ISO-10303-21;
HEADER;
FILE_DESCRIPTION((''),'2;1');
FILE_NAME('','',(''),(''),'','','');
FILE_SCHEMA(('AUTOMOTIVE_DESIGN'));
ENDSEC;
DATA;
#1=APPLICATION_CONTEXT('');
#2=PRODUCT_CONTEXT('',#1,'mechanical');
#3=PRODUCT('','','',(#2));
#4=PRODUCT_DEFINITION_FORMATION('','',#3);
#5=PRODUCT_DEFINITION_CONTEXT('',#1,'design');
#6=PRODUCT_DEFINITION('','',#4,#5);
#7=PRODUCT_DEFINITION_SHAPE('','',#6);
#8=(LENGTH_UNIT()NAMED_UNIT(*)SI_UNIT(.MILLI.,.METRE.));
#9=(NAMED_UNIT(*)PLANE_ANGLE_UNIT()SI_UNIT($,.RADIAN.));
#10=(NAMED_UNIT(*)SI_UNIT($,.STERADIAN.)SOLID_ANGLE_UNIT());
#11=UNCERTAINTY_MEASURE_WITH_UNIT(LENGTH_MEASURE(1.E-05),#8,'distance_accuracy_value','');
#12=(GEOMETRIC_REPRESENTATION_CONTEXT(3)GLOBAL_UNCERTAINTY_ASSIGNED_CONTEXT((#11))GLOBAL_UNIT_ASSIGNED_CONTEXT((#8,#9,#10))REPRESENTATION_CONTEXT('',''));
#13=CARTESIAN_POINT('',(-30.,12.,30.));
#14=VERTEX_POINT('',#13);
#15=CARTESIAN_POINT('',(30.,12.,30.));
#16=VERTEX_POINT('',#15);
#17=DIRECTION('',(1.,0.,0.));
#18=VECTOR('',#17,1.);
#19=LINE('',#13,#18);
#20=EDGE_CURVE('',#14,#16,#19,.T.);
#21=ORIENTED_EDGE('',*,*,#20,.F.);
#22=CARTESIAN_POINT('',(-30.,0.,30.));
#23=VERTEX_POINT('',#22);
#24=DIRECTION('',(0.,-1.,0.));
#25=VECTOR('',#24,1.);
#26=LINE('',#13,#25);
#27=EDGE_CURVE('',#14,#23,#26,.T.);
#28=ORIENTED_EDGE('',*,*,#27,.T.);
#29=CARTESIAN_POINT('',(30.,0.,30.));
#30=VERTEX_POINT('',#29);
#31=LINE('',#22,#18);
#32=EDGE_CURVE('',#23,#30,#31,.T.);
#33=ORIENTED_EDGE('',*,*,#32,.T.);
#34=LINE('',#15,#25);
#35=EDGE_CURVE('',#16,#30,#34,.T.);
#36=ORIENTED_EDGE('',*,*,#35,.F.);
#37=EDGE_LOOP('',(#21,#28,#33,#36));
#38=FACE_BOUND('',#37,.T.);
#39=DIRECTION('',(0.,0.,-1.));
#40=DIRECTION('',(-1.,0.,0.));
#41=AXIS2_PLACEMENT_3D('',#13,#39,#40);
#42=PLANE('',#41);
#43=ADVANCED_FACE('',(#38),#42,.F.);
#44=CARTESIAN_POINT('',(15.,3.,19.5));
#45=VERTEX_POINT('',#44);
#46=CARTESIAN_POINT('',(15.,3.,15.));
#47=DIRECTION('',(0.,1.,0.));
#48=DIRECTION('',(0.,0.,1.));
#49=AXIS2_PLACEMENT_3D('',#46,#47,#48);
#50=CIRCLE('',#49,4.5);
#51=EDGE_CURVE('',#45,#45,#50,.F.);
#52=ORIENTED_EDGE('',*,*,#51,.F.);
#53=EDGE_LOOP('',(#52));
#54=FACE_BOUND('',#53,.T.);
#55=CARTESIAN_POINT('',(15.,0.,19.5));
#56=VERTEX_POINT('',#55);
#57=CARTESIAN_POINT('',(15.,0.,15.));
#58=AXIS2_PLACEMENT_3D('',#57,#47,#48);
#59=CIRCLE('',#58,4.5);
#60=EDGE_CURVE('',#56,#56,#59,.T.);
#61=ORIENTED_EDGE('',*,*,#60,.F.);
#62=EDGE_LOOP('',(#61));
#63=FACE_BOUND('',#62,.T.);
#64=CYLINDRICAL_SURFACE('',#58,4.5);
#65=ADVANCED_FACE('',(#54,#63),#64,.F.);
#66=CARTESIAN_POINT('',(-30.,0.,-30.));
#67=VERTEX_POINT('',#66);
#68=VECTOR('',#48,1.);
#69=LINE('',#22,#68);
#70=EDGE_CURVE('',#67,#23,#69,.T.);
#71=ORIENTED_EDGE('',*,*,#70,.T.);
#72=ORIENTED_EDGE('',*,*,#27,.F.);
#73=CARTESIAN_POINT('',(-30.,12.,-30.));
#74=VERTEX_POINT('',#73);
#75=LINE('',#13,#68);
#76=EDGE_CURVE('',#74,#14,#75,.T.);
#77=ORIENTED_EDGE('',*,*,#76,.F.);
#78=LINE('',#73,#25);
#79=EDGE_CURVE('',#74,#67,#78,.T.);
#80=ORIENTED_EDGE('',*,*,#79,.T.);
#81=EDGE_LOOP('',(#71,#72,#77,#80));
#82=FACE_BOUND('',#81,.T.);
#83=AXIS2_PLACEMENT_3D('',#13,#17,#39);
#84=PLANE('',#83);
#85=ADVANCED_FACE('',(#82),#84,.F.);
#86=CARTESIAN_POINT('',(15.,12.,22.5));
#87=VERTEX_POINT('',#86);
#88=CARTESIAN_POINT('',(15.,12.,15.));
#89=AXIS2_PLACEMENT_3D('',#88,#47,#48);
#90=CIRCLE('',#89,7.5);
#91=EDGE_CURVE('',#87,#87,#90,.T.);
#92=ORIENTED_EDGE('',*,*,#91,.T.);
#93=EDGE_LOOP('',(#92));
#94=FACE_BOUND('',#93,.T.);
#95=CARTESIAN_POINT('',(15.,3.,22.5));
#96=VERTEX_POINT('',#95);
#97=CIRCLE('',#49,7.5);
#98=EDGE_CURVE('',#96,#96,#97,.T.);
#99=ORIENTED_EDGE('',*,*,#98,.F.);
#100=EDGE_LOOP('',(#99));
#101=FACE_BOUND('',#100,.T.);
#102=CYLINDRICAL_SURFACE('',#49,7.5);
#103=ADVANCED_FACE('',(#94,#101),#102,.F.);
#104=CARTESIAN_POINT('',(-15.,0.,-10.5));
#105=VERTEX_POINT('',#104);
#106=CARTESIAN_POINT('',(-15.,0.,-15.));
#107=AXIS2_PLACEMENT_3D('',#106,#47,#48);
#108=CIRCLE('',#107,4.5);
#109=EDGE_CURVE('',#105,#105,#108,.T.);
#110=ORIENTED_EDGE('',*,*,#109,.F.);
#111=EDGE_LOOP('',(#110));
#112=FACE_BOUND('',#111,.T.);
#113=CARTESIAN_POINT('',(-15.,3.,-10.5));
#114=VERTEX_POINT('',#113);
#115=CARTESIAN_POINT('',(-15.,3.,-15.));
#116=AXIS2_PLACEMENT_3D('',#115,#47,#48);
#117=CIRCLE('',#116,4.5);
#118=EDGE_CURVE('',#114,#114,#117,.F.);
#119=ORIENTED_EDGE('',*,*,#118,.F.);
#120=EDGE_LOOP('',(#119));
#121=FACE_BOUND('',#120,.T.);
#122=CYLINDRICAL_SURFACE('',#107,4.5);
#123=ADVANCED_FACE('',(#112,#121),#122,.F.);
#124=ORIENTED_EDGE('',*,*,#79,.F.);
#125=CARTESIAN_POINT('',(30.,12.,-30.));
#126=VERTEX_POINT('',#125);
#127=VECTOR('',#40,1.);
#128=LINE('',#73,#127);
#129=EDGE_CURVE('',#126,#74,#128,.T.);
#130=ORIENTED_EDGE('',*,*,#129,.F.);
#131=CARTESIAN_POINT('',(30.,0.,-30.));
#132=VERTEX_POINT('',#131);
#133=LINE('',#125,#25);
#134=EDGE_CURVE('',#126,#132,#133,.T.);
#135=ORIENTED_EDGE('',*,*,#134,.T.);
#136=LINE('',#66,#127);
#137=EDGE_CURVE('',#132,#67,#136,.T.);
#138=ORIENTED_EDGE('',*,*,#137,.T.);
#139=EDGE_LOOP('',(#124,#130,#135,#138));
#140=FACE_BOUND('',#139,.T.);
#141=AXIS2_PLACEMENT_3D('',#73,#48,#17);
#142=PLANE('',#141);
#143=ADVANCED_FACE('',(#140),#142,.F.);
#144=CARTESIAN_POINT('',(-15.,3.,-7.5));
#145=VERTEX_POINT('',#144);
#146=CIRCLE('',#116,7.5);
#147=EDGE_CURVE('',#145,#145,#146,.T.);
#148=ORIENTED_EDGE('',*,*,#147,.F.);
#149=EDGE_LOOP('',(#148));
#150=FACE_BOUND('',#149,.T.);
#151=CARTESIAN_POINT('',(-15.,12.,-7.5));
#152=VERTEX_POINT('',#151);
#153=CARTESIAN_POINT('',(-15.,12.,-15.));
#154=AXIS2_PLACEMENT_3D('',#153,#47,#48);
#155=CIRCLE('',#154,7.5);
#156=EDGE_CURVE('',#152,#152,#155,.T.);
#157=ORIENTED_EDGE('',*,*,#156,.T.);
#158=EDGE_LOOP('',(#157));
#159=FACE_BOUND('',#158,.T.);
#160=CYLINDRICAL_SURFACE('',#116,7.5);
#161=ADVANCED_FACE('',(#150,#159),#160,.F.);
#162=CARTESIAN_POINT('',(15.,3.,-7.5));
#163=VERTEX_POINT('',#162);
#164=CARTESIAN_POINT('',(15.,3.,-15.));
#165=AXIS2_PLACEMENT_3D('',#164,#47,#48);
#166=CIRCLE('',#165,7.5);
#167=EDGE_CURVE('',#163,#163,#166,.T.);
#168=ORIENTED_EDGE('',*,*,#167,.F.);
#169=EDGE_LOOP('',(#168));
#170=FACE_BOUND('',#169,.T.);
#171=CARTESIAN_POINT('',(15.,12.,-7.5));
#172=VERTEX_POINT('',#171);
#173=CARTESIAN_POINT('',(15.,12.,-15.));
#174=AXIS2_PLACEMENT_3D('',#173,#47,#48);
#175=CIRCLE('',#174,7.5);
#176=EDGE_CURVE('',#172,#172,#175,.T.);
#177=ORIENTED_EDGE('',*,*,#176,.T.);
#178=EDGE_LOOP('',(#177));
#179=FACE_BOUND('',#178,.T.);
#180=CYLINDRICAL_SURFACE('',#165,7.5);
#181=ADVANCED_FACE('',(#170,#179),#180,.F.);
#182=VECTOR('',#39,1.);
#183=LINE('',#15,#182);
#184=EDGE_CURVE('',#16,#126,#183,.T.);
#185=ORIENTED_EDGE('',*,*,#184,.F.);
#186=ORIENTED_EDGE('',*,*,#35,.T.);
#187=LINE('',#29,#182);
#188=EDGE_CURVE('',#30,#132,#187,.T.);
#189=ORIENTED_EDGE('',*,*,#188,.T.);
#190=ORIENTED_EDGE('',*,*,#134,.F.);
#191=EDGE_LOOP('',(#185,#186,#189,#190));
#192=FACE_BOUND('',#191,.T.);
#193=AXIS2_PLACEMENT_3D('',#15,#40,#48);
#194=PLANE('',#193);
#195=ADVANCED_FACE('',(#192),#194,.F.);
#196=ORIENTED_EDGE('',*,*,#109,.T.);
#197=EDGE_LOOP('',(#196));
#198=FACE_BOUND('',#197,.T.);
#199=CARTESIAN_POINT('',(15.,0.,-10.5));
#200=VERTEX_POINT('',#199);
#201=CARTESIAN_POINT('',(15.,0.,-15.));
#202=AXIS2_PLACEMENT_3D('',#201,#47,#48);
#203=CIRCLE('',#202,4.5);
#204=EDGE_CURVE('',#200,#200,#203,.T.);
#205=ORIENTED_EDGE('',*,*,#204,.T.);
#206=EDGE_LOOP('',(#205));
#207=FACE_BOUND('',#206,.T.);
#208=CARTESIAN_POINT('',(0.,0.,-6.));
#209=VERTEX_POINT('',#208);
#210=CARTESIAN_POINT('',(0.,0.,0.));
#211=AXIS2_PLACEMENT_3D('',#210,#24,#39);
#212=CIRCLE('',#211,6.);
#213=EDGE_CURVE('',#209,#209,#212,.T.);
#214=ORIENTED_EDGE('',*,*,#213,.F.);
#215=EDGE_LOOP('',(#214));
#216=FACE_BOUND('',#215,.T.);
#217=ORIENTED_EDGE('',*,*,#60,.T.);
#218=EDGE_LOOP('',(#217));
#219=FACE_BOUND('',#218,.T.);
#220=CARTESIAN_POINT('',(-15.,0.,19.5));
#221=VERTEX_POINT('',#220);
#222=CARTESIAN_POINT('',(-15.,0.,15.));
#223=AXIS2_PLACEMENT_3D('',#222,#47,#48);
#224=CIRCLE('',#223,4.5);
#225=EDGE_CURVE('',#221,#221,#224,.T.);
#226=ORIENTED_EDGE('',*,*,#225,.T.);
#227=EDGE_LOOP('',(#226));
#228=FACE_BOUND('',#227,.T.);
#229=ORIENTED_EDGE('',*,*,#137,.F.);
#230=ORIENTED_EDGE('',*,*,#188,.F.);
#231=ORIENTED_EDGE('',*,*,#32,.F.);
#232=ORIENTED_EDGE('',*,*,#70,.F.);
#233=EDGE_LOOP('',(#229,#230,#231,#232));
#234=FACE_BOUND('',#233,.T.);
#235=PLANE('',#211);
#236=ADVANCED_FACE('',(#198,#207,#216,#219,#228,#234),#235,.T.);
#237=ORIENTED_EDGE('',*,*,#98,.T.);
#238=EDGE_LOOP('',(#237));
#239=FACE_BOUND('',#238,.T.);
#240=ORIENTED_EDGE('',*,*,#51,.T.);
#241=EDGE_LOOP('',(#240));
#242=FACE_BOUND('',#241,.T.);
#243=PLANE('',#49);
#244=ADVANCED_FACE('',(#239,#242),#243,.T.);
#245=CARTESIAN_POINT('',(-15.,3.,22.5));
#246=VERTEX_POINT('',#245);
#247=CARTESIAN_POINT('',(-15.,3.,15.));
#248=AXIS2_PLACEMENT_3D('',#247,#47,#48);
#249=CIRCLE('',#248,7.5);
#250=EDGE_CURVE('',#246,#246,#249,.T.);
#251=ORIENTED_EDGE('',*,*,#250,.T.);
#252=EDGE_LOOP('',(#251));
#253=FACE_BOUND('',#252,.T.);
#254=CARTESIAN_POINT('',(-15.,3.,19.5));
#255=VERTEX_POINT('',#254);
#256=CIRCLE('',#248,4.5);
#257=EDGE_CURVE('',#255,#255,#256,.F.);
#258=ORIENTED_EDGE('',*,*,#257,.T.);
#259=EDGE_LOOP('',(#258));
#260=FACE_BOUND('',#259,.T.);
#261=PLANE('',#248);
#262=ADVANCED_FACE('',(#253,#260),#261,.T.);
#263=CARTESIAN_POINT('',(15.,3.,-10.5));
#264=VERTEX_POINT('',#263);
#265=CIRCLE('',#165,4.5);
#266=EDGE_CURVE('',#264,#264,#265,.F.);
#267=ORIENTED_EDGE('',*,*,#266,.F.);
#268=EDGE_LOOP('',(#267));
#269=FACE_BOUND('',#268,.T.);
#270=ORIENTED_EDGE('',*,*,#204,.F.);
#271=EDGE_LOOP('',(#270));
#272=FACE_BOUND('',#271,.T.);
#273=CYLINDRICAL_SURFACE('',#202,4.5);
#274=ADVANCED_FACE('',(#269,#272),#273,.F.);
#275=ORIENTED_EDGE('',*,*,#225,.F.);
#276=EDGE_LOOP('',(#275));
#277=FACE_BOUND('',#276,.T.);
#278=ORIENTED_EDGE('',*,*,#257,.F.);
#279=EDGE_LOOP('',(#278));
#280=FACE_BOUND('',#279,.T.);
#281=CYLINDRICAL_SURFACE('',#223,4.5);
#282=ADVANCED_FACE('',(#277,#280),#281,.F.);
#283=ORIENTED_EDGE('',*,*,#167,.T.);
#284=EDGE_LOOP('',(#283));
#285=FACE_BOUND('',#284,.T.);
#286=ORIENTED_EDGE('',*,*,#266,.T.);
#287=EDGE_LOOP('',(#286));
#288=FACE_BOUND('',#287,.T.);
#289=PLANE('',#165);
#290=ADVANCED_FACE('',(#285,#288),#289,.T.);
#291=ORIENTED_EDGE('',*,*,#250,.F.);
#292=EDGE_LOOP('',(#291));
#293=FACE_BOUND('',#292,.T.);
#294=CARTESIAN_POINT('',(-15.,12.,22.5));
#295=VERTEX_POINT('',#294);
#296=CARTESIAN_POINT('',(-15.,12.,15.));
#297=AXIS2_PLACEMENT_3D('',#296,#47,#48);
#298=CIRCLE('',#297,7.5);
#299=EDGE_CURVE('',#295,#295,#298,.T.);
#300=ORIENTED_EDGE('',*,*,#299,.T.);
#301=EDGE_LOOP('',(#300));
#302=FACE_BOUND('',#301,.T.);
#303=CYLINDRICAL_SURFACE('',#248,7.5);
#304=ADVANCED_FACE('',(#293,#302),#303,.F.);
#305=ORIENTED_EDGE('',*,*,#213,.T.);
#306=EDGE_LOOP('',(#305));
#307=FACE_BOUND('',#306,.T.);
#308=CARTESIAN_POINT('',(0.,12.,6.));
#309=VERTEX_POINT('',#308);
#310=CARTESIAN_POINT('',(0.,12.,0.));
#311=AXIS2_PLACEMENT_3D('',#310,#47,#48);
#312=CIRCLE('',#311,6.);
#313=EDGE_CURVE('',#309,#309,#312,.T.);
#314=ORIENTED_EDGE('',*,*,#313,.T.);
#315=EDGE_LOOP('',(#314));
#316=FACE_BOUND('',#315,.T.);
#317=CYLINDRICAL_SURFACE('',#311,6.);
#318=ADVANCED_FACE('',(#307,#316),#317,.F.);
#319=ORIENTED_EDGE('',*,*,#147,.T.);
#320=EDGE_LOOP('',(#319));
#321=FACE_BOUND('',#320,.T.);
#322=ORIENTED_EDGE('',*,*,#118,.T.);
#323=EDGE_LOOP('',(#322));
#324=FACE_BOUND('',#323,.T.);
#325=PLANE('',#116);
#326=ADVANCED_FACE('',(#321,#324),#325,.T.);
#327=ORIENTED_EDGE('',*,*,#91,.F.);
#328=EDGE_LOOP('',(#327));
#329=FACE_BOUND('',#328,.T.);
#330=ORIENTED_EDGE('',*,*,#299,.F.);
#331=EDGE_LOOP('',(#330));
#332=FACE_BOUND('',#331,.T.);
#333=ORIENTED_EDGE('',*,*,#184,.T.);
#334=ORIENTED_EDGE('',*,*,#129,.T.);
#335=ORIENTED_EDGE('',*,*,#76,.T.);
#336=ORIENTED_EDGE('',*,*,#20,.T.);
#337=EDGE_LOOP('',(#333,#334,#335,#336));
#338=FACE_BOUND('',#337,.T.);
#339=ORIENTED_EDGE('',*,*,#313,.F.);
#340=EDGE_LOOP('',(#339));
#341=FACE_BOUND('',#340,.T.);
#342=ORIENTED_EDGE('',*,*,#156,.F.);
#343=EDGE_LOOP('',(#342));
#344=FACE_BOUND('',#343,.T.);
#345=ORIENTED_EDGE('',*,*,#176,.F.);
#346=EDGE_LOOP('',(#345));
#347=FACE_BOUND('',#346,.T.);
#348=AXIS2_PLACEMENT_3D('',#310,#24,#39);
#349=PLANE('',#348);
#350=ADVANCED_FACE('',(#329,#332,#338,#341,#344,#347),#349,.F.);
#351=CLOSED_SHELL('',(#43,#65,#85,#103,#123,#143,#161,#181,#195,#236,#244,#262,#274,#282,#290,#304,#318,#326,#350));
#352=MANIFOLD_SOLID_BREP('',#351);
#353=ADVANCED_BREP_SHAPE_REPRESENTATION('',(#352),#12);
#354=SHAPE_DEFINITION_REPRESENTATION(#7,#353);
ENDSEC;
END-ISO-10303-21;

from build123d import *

# Parameters (mm, degrees)
SKETCH_1_W             = 60
SKETCH_1_H             = 60
EXTRUDE_1_DEPTH        = 12
HOLE_WIZARD_M141_D     = 12
HOLE_WIZARD_M141_DEPTH = 12
SKETCH_12_R            = 4.5
CUT_EXTRUDE_1_DEPTH    = 13
SKETCH_13_R            = 7.5
CUT_EXTRUDE_2_DEPTH    = 9


with BuildPart() as part:
    # Эскиз1 → Бобышка-Вытянуть1 (new body)
    with BuildSketch(Plane(origin=(0, 0, 0), x_dir=(1, 0, 0), z_dir=(0, 1, 0))):
        Rectangle(SKETCH_1_W, SKETCH_1_H)
    extrude(amount=EXTRUDE_1_DEPTH)

    # Отверстие обработанное метчиком M141
    with Locations(Plane(origin=(0, 12, 0), x_dir=(1, 0, 0), z_dir=(0, 1, 0))):
        with Locations((0, 0)):
            Hole(HOLE_WIZARD_M141_D / 2, depth=HOLE_WIZARD_M141_DEPTH)

    # Эскиз12 → Вырез-Вытянуть1 (cut, through all)
    with BuildSketch(Plane(origin=(0, 12, 0), x_dir=(1, 0, 0), z_dir=(0, 1, 0))):
        with Locations(Location((-15, 15, 0), (0, 0, 270))):  # turned: the seam where the file's is
            Circle(SKETCH_12_R)
        with Locations(Location((15, 15, 0), (0, 0, 270))):  # turned: the seam where the file's is
            Circle(SKETCH_12_R)
        with Locations(Location((15, -15, 0), (0, 0, 270))):  # turned: the seam where the file's is
            Circle(SKETCH_12_R)
        with Locations(Location((-15, -15, 0), (0, 0, 270))):  # turned: the seam where the file's is
            Circle(SKETCH_12_R)
    extrude(amount=-CUT_EXTRUDE_1_DEPTH, mode=Mode.SUBTRACT)

    # Эскиз13 → Вырез-Вытянуть2 (cut)
    with BuildSketch(Plane(origin=(0, 12, 0), x_dir=(1, 0, 0), z_dir=(0, 1, 0))):
        with Locations(Location((-15, 15, 0), (0, 0, 270))):  # turned: the seam where the file's is
            Circle(SKETCH_13_R)
        with Locations(Location((15, 15, 0), (0, 0, 270))):  # turned: the seam where the file's is
            Circle(SKETCH_13_R)
        with Locations(Location((15, -15, 0), (0, 0, 270))):  # turned: the seam where the file's is
            Circle(SKETCH_13_R)
        with Locations(Location((-15, -15, 0), (0, 0, 270))):  # turned: the seam where the file's is
            Circle(SKETCH_13_R)
    extrude(amount=-CUT_EXTRUDE_2_DEPTH, mode=Mode.SUBTRACT)


solid = part.part
